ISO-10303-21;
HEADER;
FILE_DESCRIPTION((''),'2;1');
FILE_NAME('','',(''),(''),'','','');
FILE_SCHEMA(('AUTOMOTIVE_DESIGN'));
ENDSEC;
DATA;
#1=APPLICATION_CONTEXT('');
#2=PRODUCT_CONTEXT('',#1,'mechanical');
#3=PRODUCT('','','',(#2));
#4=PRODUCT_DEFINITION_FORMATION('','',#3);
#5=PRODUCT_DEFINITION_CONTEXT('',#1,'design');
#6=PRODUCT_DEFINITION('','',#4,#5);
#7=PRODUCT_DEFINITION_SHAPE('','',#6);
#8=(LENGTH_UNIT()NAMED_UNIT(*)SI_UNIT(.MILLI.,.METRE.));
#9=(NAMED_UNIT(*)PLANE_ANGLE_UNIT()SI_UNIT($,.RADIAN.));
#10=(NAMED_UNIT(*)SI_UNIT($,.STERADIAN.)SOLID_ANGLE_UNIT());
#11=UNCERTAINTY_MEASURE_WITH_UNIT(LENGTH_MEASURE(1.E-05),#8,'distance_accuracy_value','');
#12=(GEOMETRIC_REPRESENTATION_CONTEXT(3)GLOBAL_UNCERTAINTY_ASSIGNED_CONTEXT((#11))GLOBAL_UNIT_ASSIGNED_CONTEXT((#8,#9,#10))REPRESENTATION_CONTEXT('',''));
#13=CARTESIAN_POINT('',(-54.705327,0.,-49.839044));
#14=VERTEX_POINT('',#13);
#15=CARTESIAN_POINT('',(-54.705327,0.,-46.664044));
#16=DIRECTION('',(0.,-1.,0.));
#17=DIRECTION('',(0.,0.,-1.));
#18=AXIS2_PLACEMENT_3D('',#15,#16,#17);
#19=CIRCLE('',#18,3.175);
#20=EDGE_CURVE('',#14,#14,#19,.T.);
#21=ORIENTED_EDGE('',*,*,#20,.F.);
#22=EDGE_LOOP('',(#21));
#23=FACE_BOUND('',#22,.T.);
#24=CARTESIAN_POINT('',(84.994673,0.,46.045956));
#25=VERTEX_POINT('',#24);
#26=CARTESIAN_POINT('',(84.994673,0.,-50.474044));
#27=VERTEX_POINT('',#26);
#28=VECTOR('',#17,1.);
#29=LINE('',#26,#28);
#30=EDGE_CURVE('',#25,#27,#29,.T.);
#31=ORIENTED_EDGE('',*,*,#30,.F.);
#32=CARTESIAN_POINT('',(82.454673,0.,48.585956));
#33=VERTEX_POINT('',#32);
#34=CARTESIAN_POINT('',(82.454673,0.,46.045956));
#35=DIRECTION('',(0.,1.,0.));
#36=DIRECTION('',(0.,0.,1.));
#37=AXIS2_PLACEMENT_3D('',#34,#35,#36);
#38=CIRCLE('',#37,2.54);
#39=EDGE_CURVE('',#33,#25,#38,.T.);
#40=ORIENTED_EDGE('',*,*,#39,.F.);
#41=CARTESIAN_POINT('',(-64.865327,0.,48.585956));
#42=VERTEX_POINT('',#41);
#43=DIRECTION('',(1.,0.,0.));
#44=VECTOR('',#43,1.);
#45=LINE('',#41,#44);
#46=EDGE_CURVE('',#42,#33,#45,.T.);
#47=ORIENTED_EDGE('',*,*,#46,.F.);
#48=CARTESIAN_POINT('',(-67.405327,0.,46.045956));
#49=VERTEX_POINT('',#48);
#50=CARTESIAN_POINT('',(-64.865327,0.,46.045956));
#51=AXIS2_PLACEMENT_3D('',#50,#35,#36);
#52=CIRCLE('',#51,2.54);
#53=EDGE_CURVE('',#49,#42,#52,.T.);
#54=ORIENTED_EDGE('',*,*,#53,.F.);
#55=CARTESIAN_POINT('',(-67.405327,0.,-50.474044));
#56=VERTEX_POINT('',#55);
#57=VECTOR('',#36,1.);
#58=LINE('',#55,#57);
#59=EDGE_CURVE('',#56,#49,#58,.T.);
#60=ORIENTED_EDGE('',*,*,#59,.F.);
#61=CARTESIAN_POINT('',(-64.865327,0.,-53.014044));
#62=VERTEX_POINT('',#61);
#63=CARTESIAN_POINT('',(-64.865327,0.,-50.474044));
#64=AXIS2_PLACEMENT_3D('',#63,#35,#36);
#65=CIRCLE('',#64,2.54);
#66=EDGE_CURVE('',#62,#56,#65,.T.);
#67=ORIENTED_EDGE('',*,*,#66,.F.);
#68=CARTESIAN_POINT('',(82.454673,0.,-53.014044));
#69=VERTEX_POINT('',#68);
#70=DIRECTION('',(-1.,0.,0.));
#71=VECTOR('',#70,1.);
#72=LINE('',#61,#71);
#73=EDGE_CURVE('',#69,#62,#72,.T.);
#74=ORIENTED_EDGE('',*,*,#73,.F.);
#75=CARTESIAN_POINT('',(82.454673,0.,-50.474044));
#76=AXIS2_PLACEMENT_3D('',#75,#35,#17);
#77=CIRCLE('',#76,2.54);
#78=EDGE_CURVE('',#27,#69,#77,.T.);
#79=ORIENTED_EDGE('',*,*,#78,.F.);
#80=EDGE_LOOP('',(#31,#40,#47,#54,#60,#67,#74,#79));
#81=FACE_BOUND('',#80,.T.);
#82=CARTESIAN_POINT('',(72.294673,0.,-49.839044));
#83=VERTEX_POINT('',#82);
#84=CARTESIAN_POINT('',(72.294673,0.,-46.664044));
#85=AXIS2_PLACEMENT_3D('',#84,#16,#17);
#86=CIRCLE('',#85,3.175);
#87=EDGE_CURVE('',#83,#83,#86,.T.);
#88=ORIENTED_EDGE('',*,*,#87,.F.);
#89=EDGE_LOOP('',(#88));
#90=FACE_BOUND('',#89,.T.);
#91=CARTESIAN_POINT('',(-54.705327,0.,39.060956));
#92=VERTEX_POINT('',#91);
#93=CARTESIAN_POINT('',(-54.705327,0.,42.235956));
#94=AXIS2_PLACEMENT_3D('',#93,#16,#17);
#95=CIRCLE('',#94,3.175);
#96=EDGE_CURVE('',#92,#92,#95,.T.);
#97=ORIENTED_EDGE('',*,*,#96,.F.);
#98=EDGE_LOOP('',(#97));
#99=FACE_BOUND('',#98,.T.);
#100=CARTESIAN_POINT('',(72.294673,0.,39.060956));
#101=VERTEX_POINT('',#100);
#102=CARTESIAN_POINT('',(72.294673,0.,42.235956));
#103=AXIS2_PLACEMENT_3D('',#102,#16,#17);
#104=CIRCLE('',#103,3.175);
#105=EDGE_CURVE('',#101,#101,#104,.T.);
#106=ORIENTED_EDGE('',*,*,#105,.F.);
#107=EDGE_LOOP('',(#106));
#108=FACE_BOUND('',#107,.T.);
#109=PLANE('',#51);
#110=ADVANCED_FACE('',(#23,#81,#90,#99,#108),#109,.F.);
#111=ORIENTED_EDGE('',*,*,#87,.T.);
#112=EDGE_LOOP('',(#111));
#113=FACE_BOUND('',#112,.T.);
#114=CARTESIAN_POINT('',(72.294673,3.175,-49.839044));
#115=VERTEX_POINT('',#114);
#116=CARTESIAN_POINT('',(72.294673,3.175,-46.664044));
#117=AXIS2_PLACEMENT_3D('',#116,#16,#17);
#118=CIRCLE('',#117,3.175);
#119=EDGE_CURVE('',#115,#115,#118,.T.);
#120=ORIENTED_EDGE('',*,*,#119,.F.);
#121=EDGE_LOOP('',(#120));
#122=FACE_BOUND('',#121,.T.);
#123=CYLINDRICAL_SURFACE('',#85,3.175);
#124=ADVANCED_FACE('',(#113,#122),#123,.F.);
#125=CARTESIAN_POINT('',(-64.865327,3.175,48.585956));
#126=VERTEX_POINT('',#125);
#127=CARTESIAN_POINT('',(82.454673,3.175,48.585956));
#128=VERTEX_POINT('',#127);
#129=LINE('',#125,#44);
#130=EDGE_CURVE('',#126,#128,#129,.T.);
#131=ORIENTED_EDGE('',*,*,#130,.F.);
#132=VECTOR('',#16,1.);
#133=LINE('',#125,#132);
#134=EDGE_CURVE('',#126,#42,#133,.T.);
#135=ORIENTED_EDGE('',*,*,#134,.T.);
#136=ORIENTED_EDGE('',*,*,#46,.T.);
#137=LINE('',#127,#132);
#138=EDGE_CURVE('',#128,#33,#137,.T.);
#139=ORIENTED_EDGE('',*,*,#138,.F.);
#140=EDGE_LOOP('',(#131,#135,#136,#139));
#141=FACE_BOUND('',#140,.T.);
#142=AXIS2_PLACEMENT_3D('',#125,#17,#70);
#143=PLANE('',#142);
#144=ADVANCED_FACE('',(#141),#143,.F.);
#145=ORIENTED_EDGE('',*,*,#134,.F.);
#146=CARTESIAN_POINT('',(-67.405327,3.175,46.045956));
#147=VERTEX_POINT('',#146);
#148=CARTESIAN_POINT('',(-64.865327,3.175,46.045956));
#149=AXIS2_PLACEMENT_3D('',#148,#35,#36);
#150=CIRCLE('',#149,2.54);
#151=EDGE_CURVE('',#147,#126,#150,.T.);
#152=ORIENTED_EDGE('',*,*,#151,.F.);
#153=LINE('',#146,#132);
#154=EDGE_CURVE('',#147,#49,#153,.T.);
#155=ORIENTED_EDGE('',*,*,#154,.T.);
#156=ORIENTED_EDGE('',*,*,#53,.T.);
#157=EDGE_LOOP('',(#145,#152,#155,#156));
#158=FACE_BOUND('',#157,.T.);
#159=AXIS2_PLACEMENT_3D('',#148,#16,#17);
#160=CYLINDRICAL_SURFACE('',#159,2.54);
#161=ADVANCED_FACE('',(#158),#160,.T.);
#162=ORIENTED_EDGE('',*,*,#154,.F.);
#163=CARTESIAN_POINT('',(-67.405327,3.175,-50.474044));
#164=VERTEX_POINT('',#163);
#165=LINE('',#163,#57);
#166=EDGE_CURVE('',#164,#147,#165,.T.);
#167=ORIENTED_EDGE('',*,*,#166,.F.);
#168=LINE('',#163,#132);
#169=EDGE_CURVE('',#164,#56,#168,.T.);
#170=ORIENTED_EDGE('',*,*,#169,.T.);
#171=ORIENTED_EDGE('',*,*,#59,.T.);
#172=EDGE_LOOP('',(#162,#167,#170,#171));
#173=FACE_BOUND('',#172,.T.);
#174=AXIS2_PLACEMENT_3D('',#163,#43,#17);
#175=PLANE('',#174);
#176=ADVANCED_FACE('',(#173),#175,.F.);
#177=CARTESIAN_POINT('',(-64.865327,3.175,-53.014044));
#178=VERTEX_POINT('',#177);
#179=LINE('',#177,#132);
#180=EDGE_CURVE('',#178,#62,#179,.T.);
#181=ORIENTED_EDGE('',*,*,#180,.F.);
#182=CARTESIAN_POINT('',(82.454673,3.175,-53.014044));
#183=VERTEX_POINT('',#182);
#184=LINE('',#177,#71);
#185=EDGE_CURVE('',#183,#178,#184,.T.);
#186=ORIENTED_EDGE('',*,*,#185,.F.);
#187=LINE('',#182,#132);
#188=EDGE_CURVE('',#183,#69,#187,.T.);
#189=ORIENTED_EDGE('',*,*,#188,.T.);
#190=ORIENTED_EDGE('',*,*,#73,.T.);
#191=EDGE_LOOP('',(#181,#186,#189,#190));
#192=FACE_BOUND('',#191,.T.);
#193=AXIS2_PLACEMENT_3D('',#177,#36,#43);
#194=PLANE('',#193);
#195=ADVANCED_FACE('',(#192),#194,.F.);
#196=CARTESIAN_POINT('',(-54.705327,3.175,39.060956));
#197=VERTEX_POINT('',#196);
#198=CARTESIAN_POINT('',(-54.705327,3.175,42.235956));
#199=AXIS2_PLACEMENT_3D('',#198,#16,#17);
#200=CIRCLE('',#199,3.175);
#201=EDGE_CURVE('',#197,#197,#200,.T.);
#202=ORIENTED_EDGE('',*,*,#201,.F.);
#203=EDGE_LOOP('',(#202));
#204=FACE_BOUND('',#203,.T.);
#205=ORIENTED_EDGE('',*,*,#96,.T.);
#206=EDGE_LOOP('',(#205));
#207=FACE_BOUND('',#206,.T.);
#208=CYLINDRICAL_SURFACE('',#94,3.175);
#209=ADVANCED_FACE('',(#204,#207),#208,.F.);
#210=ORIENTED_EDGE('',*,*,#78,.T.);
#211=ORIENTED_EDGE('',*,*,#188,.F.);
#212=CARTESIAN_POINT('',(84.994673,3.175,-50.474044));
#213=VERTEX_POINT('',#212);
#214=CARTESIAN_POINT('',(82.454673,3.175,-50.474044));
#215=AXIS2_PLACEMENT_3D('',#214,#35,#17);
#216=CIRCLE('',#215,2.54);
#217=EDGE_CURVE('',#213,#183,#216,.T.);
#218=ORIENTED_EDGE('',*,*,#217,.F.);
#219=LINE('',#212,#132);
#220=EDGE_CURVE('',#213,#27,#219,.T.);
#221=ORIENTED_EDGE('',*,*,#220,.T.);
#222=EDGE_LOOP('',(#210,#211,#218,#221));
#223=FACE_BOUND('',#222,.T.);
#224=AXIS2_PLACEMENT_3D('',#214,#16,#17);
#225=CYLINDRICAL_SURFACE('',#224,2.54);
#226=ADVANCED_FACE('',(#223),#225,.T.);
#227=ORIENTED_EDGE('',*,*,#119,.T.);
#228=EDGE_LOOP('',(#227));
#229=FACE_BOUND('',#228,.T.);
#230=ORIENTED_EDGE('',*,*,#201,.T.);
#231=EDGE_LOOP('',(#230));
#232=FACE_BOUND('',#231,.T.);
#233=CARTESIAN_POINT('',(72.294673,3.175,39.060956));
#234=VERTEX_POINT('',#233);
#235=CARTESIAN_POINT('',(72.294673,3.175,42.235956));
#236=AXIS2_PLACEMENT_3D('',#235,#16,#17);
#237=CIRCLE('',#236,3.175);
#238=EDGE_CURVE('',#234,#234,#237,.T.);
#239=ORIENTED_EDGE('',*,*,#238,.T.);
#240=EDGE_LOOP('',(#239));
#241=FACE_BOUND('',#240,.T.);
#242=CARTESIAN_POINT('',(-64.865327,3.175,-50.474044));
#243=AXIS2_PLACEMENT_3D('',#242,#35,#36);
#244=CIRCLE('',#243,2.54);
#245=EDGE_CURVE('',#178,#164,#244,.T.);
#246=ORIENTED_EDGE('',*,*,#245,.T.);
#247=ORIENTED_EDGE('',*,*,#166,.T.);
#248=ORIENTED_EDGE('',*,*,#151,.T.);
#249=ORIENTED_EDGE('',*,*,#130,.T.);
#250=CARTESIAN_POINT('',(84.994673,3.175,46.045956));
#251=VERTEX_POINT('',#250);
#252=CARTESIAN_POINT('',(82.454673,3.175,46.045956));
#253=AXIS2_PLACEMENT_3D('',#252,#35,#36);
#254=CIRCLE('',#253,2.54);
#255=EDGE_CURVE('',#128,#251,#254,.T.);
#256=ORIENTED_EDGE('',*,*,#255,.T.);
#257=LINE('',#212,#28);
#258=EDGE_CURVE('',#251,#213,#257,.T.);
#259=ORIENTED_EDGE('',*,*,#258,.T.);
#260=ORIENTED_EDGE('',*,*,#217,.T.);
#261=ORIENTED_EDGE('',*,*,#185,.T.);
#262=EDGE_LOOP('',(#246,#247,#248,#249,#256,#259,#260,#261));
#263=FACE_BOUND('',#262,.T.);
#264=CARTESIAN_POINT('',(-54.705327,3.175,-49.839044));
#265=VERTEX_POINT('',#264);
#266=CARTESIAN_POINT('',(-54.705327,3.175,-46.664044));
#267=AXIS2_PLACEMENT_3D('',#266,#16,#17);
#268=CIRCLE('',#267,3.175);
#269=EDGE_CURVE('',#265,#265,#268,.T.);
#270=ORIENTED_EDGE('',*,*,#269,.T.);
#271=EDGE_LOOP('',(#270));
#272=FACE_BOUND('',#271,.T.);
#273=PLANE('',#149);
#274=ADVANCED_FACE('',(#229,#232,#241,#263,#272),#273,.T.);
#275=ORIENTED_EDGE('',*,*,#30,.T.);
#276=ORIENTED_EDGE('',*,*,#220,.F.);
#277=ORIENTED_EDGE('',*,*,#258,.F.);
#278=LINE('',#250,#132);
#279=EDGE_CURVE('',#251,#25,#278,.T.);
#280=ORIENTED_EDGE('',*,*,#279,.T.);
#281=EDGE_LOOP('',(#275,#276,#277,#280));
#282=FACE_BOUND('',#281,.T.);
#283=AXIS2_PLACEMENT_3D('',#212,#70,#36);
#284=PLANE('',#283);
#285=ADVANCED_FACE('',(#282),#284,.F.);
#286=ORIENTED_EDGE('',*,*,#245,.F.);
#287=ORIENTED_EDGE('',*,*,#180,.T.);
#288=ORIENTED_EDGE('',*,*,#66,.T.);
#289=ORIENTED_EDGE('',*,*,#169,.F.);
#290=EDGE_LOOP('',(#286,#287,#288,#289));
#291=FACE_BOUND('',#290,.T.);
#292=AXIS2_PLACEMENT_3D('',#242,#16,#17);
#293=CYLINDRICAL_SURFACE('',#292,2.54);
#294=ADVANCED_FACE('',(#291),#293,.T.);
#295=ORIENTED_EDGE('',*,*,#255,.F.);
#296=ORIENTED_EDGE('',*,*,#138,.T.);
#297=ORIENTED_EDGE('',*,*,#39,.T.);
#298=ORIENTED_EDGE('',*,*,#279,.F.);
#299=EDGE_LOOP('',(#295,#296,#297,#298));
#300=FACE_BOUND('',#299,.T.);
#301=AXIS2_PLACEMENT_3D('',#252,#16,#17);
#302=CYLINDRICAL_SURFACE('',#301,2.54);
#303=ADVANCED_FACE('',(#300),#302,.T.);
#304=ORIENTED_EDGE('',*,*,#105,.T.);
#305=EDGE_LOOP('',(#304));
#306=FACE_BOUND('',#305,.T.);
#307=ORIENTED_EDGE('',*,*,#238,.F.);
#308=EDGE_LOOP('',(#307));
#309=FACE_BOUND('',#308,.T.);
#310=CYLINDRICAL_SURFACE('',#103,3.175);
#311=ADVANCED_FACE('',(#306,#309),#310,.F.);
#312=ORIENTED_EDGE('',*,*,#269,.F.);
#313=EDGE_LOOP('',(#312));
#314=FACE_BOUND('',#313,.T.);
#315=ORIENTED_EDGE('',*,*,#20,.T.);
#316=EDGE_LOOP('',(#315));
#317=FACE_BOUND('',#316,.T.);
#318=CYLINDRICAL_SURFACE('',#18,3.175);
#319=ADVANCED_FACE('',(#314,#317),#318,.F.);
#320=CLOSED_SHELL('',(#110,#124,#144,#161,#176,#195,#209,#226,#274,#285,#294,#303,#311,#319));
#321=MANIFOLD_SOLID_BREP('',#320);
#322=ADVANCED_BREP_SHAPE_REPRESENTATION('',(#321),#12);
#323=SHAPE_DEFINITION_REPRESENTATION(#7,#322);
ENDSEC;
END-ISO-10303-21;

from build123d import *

# Parameters (mm, degrees)
BOSS_EXTRUDE1_DEPTH            = 3.175
HOLE_FOR_10_300_SC_NUTS_SP_1_D = 6.35


with BuildPart() as part:
    # Sketch1 → Boss-Extrude1 (new body)
    with BuildSketch(Plane(origin=(0, 0, 0), x_dir=(1, 0, 0), z_dir=(0, 1, 0))):
        with BuildLine():
            Line((-64.865326877, 53.014043584), (82.454673123, 53.014043584))
            ThreePointArc((82.454673123, 53.014043584), (84.250724348, 52.270094808), (84.994673123, 50.474043584))
            Line((84.994673123, 50.474043584), (84.994673123, -46.045956416))
            ThreePointArc((84.994673123, -46.045956416), (84.250724348, -47.842007641), (82.454673123, -48.585956416))
            Line((82.454673123, -48.585956416), (-64.865326877, -48.585956416))
            ThreePointArc((-64.865326877, -48.585956416), (-66.661378101, -47.842007641), (-67.405326877, -46.045956416))
            Line((-67.405326877, -46.045956416), (-67.405326877, 50.474043584))
            ThreePointArc((-67.405326877, 50.474043584), (-66.661378101, 52.270094808), (-64.865326877, 53.014043584))
        make_face()
    extrude(amount=BOSS_EXTRUDE1_DEPTH)

    # Hole for #10 300® SC Nuts (SP)1 (through all)
    with Locations(Plane(origin=(0, 0, 0), x_dir=(-1, 0, 0), z_dir=(0, -1, 0))):
        with Locations((-72.294673123, 46.664043584), (-72.294673123, -42.235956416), (54.705326877, -42.235956416), (54.705326877, 46.664043584)):
            Hole(HOLE_FOR_10_300_SC_NUTS_SP_1_D / 2)


solid = part.part
